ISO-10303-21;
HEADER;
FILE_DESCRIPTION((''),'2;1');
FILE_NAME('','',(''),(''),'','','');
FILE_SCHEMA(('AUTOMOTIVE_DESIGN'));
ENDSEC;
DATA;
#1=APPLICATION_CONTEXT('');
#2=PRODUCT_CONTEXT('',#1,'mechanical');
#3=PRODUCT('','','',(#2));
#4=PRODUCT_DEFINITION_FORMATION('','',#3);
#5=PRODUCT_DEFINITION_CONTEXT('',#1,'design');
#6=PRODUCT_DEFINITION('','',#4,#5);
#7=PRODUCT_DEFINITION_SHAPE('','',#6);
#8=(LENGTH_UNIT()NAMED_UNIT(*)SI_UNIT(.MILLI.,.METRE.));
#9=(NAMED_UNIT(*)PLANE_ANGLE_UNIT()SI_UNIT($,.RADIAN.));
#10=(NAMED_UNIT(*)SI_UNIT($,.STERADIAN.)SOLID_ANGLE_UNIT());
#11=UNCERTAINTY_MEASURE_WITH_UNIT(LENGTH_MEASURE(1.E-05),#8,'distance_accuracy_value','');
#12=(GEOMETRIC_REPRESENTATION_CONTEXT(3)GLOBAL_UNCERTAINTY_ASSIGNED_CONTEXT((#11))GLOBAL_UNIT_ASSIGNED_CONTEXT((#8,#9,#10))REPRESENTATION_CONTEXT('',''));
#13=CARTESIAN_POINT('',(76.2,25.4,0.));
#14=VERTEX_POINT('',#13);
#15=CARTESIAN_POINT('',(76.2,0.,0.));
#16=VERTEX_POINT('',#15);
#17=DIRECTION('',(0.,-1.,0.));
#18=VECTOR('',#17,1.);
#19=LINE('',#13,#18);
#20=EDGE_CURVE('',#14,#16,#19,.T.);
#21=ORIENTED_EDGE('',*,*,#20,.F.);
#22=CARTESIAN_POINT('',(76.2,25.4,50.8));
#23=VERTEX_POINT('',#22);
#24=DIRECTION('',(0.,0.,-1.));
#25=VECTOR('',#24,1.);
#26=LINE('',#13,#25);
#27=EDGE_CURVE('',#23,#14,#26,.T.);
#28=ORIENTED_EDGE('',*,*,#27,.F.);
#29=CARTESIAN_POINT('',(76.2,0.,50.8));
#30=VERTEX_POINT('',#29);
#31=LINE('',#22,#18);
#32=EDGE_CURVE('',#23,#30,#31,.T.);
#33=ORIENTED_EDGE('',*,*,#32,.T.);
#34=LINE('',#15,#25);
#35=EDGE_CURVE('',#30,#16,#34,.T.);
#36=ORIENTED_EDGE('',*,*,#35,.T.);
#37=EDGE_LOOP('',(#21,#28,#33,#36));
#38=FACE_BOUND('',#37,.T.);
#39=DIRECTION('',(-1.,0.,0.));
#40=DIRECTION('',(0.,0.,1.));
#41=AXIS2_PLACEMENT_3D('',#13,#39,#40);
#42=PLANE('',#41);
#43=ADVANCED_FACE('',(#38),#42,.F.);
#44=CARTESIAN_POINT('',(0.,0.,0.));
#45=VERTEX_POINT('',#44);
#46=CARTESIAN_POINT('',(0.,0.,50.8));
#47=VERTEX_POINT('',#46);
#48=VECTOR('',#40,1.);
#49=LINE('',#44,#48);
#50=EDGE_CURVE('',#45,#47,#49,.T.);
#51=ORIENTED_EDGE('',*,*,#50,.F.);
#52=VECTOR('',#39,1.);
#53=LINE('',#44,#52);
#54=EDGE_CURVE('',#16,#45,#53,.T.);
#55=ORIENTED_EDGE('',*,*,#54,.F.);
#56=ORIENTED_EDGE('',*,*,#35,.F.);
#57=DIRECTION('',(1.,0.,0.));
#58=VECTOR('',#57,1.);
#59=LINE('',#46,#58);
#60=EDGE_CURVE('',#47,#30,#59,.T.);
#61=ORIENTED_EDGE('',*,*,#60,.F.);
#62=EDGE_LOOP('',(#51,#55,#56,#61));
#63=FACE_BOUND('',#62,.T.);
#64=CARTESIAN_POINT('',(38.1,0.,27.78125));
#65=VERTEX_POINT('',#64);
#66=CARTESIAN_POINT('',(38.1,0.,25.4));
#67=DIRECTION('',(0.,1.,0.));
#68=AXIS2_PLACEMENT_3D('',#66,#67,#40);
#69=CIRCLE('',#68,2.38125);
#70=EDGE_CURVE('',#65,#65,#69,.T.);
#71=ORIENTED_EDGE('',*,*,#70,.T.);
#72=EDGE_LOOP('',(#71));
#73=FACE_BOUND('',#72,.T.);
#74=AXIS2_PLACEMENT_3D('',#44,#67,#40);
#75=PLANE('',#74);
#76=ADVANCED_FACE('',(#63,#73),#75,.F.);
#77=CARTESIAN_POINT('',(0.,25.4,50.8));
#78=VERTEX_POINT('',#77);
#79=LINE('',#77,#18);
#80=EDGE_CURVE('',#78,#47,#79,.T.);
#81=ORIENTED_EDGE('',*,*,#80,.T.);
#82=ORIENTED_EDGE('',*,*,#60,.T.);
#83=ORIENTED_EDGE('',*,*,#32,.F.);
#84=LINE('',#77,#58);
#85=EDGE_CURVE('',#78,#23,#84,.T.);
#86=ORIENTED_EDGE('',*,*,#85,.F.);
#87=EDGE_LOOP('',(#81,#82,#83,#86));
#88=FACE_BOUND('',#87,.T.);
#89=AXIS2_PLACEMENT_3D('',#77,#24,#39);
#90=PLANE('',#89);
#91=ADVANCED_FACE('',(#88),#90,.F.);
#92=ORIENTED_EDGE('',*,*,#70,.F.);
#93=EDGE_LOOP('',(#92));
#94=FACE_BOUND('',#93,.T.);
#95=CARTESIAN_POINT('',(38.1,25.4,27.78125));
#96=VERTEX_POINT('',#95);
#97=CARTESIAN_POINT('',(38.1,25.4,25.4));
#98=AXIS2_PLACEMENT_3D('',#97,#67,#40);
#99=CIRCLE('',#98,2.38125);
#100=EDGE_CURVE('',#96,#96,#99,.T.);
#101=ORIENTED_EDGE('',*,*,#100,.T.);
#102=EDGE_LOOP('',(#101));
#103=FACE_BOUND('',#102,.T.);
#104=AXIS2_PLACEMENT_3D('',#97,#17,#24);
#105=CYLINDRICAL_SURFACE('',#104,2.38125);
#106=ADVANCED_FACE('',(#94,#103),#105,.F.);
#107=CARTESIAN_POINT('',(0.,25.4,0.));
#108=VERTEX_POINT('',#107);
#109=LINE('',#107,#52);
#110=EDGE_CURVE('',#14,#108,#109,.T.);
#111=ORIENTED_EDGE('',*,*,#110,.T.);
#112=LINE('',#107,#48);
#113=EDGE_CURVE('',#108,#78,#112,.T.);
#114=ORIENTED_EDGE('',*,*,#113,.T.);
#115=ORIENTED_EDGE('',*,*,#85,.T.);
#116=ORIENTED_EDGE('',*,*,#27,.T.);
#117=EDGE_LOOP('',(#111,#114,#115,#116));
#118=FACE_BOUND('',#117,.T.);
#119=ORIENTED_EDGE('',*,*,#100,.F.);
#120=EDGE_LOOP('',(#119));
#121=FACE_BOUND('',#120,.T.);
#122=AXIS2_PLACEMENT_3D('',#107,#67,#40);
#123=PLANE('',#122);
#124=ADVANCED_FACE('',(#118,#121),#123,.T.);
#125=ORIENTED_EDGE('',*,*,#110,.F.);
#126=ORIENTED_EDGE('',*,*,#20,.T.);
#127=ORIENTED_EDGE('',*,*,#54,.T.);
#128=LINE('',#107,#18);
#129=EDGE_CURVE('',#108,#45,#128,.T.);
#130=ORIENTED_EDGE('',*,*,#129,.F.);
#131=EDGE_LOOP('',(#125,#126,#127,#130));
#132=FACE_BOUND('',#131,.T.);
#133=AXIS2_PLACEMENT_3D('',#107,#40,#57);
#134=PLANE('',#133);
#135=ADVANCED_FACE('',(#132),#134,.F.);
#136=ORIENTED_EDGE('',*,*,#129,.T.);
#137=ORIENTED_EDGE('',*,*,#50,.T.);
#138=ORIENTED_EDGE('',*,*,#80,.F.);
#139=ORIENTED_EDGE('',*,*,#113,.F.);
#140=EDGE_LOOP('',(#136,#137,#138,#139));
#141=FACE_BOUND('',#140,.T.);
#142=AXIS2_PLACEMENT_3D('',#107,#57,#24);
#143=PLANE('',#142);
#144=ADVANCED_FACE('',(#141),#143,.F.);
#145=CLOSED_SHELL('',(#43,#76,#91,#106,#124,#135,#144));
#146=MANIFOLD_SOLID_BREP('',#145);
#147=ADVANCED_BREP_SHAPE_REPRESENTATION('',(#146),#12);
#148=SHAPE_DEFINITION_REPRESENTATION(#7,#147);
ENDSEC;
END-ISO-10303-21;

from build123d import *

# Parameters (mm, degrees)
SKETCH1_W           = 76.2
SKETCH1_H           = 50.8
SKETCH1_R           = 2.38125
BOSS_EXTRUDE1_DEPTH = 25.4


with BuildPart() as part:
    # Sketch1 → Boss-Extrude1 (new body)
    with BuildSketch(Plane(origin=(0, 0, 0), x_dir=(1, 0, 0), z_dir=(0, 1, 0))):
        with Locations((38.1, -25.4)):
            Rectangle(SKETCH1_W, SKETCH1_H)
        with Locations(Location((38.1, -25.4, 0), (0, 0, 270))):
            Circle(SKETCH1_R, mode=Mode.SUBTRACT)
    extrude(amount=BOSS_EXTRUDE1_DEPTH)


solid = part.part
